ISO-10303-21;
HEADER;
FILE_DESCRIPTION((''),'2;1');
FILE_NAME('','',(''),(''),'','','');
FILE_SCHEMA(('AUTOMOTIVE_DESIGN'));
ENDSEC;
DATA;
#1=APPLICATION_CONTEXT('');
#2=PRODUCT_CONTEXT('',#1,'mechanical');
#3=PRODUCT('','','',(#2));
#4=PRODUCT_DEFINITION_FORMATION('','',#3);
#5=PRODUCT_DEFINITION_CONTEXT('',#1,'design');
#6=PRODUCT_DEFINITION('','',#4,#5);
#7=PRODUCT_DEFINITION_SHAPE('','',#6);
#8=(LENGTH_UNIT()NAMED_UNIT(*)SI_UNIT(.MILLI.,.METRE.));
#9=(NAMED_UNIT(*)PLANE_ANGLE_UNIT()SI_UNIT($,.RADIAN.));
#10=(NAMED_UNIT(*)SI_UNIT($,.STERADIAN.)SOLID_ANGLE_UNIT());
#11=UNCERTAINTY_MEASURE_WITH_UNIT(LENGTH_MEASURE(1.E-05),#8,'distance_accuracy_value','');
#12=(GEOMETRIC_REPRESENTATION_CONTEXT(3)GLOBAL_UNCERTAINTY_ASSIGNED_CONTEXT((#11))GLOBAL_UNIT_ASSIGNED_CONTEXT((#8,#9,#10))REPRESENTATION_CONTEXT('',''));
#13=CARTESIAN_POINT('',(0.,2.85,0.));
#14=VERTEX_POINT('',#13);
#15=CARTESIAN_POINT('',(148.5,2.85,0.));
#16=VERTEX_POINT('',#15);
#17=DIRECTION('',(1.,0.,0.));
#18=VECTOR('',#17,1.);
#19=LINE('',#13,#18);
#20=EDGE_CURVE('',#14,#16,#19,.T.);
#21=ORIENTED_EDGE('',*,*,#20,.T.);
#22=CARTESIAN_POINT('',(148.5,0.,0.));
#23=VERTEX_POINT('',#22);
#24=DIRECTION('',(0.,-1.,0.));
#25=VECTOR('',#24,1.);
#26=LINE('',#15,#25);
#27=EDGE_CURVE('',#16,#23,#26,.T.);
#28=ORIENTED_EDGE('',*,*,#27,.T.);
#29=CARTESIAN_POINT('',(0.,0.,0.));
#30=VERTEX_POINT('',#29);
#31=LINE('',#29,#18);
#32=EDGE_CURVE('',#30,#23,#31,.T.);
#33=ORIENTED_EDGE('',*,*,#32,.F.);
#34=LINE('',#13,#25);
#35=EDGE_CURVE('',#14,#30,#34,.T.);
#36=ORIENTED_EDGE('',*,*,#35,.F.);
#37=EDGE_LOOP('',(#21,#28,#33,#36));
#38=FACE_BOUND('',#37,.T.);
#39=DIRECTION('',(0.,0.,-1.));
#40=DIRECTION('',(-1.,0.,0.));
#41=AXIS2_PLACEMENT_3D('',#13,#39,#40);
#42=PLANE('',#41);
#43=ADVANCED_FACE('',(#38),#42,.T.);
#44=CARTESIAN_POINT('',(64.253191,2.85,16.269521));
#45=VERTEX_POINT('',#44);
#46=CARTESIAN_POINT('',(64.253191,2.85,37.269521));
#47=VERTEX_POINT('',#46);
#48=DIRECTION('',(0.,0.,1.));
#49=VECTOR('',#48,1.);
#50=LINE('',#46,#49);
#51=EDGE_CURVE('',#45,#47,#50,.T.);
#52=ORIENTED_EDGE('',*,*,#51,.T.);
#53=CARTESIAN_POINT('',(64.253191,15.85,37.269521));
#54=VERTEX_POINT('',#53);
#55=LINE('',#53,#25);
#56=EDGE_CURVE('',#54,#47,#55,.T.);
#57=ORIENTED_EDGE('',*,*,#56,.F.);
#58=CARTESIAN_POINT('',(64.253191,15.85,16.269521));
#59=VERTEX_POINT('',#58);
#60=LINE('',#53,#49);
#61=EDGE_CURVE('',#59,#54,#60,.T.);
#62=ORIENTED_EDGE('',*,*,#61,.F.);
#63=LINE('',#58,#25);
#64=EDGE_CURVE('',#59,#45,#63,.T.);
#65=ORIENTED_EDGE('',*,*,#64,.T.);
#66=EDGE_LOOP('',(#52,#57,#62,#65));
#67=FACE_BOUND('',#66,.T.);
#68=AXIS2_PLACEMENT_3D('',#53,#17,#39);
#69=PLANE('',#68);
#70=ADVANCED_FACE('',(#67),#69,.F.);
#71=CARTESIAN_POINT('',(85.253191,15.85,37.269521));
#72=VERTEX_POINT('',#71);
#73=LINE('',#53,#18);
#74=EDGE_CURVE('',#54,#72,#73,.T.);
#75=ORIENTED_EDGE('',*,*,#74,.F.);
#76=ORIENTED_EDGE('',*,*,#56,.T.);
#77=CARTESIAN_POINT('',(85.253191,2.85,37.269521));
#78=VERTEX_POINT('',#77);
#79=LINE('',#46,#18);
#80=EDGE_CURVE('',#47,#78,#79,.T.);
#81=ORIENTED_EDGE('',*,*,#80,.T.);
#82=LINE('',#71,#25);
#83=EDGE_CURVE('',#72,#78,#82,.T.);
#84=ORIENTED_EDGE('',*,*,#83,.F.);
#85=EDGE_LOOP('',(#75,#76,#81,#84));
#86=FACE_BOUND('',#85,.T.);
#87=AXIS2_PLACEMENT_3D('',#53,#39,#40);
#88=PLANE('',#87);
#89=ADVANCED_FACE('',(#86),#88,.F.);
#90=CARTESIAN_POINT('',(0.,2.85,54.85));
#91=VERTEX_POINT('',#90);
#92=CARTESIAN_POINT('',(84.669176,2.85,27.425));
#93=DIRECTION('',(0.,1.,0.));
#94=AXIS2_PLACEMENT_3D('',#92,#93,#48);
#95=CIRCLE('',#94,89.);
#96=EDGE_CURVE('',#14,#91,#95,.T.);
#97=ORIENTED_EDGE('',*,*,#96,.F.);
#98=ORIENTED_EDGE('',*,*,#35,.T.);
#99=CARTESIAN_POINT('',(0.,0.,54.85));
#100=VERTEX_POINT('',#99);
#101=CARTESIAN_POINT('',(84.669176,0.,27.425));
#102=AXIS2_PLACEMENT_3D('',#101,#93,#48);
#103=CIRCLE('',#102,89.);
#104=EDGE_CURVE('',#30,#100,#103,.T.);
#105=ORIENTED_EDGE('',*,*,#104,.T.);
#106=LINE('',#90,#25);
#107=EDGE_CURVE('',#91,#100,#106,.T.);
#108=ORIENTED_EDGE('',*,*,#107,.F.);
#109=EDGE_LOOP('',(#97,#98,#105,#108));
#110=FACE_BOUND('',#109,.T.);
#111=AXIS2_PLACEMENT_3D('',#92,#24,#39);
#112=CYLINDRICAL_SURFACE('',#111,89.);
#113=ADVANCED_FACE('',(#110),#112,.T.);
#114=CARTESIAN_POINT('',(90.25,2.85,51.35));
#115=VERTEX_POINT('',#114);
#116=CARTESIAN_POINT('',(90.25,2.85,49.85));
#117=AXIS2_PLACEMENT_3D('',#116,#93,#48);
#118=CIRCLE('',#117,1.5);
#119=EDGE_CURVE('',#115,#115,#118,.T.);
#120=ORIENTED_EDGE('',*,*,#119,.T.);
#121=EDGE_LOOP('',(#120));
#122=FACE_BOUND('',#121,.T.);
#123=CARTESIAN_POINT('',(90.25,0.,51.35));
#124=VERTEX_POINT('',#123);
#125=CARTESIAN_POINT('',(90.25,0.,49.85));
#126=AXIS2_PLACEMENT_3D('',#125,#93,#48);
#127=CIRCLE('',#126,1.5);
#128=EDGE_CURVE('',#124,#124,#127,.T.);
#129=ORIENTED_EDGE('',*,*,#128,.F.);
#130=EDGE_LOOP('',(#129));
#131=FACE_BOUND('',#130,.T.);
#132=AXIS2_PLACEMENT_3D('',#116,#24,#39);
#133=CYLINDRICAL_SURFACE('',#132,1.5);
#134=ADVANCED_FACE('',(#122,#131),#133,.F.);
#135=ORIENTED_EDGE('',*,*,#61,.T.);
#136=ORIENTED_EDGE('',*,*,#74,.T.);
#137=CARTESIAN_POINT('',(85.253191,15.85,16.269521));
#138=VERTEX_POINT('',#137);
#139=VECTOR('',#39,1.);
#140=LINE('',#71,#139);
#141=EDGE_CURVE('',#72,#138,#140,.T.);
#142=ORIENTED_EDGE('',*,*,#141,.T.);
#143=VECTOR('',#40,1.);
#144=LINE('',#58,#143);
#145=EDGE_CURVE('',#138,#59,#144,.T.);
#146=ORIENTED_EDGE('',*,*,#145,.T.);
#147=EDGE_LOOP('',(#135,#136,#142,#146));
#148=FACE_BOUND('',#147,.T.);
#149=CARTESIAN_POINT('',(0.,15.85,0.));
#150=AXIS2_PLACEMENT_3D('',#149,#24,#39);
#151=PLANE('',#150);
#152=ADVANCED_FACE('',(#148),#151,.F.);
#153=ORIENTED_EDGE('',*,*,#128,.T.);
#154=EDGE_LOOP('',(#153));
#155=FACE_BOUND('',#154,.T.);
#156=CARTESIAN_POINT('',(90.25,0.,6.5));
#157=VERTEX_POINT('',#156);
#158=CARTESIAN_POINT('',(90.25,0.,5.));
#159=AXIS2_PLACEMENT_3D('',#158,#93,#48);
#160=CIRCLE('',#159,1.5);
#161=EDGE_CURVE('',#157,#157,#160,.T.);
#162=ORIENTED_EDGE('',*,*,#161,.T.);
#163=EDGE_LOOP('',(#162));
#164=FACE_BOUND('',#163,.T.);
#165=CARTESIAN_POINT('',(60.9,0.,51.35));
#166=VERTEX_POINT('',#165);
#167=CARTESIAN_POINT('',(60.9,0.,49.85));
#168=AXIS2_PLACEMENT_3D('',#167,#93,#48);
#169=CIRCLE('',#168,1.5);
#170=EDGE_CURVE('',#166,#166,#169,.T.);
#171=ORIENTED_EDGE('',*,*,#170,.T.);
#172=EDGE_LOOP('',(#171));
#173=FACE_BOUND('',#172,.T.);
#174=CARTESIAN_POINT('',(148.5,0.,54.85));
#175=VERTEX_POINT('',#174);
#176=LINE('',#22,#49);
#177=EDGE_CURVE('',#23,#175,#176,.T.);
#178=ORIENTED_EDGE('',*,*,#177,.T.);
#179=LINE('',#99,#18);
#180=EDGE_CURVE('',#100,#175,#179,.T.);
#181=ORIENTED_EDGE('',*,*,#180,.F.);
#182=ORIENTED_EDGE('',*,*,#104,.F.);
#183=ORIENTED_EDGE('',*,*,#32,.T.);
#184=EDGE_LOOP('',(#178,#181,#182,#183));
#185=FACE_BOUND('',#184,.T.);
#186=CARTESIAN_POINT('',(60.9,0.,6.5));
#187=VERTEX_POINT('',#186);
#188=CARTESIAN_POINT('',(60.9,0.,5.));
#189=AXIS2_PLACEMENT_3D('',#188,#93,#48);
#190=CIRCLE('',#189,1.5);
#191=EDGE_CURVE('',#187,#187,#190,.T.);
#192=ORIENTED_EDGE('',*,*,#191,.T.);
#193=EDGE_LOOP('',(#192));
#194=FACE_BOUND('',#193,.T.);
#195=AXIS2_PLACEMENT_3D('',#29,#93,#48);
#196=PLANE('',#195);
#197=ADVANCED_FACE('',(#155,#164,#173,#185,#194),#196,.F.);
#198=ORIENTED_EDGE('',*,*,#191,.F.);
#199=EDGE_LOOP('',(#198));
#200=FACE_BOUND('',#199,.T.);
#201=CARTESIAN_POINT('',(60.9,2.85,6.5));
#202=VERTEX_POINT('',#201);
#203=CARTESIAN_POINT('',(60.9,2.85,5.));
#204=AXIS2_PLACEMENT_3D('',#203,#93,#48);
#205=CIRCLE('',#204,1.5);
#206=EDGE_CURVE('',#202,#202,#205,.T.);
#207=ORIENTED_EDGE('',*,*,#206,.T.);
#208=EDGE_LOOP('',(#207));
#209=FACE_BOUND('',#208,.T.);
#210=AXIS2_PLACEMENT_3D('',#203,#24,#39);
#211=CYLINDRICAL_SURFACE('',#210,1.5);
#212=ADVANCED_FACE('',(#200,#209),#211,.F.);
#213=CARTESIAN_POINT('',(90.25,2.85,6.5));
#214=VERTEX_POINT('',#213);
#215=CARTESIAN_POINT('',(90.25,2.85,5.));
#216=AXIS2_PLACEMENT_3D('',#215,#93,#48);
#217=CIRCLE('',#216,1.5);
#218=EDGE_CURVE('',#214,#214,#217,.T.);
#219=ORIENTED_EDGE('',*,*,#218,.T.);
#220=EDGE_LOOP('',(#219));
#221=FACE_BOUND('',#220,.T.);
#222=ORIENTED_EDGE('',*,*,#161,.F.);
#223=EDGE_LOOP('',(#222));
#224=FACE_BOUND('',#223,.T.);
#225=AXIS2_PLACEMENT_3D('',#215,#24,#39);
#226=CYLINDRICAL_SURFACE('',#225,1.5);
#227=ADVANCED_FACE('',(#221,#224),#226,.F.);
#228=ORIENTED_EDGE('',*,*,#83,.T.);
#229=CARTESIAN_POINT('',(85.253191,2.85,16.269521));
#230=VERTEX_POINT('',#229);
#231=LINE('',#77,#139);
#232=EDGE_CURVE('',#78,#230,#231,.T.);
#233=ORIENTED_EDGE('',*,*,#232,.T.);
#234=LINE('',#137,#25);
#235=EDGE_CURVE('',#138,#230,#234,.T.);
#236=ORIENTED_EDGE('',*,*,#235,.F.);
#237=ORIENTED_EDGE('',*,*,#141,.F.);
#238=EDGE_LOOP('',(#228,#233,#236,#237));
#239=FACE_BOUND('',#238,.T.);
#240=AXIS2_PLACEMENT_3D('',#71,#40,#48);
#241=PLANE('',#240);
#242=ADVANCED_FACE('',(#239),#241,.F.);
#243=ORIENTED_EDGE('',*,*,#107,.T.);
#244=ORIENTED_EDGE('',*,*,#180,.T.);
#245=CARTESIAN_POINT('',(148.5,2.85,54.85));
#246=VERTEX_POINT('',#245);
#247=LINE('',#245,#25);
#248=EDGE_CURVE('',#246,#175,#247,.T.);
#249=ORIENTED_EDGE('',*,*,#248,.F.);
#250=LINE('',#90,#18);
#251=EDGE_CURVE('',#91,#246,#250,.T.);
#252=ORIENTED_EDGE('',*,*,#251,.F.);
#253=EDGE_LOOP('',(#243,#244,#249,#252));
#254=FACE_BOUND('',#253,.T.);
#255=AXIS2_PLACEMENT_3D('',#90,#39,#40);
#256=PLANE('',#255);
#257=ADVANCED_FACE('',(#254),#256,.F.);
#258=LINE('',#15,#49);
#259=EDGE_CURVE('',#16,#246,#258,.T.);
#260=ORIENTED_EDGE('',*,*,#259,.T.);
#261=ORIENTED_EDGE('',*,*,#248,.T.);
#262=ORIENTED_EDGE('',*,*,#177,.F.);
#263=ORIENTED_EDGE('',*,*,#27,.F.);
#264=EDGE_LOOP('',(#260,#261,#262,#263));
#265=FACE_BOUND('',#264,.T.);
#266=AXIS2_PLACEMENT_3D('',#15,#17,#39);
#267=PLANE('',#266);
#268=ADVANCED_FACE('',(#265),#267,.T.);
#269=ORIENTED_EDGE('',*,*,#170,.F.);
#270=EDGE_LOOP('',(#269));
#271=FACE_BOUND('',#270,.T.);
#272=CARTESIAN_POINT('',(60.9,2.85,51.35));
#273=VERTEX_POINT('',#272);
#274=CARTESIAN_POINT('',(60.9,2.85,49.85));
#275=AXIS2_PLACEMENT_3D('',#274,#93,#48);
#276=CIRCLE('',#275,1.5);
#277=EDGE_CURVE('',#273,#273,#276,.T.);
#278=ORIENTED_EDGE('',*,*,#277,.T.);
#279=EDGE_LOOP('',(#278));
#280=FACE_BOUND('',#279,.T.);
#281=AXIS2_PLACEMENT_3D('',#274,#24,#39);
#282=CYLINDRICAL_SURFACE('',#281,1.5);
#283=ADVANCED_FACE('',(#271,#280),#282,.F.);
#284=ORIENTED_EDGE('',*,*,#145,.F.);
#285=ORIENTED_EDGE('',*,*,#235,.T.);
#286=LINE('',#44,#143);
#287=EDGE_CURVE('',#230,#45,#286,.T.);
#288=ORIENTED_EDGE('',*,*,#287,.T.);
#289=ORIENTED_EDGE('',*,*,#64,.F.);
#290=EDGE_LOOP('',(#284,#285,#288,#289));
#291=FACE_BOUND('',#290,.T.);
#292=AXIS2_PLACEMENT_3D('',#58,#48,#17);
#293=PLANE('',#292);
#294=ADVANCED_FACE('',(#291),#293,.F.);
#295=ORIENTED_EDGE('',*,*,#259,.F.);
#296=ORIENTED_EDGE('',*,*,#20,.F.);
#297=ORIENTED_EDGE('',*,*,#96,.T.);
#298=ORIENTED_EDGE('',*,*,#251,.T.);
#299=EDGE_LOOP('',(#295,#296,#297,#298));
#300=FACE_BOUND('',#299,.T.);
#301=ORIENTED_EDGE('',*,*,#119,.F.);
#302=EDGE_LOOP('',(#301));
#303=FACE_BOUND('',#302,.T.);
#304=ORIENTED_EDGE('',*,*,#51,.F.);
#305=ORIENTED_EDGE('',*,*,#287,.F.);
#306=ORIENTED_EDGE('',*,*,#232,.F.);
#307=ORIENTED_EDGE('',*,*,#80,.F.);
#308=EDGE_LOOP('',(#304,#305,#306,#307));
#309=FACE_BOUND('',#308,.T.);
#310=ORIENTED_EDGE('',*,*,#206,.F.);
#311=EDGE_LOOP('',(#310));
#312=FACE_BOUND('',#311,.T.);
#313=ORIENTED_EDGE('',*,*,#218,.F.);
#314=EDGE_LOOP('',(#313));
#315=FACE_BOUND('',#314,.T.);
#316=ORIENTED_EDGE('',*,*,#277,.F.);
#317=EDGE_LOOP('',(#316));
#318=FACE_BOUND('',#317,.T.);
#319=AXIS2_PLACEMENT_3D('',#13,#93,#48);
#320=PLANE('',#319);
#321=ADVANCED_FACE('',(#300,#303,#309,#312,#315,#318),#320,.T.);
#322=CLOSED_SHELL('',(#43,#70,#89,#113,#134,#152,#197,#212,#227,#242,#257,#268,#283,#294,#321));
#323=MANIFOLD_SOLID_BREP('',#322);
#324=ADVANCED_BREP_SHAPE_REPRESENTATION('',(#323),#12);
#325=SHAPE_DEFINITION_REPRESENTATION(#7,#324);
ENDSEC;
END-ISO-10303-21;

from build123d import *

# Parameters (mm, degrees)
SKETCH1_W           = 148.5
SKETCH1_H           = 54.85
SKETCH1_R           = 1.5
BOSS_EXTRUDE1_DEPTH = 2.85
SKETCH2_W           = 21
SKETCH2_H           = 21
BOSS_EXTRUDE2_DEPTH = 13


with BuildPart() as part:
    # Sketch1 → Boss-Extrude1 (new body)
    # profile 1 of 2: a face of its own
    with BuildSketch(Plane(origin=(0, 0, 0), x_dir=(1, 0, 0), z_dir=(0, 1, 0))):
        with Locations((74.25, -27.425)):
            Rectangle(SKETCH1_W, SKETCH1_H)
        with Locations(Location((90.25, -5, 0), (0, 0, 270))):
            Circle(SKETCH1_R, mode=Mode.SUBTRACT)
        with Locations(Location((60.9, -5, 0), (0, 0, 270))):
            Circle(SKETCH1_R, mode=Mode.SUBTRACT)
        with Locations(Location((60.9, -49.85, 0), (0, 0, 270))):
            Circle(SKETCH1_R, mode=Mode.SUBTRACT)
        with Locations(Location((90.25, -49.85, 0), (0, 0, 270))):
            Circle(SKETCH1_R, mode=Mode.SUBTRACT)
    # profile 2 of 2: a face of its own
    with BuildSketch(Plane(origin=(0, 0, 0), x_dir=(1, 0, 0), z_dir=(0, 1, 0))):
        with BuildLine():
            Line((0, 0), (0, -54.85))
            ThreePointArc((0, -54.85), (-4.330823938, -27.425), (0, 0))
        make_face()
    extrude(amount=BOSS_EXTRUDE1_DEPTH)

    # Sketch2 → Boss-Extrude2 (add)
    with BuildSketch(Plane(origin=(0, 2.85, 0), x_dir=(1, 0, 0), z_dir=(0, 1, 0))):
        with Locations((74.75319094, -26.769521426)):
            Rectangle(SKETCH2_W, SKETCH2_H)
    extrude(amount=BOSS_EXTRUDE2_DEPTH)


solid = part.part
